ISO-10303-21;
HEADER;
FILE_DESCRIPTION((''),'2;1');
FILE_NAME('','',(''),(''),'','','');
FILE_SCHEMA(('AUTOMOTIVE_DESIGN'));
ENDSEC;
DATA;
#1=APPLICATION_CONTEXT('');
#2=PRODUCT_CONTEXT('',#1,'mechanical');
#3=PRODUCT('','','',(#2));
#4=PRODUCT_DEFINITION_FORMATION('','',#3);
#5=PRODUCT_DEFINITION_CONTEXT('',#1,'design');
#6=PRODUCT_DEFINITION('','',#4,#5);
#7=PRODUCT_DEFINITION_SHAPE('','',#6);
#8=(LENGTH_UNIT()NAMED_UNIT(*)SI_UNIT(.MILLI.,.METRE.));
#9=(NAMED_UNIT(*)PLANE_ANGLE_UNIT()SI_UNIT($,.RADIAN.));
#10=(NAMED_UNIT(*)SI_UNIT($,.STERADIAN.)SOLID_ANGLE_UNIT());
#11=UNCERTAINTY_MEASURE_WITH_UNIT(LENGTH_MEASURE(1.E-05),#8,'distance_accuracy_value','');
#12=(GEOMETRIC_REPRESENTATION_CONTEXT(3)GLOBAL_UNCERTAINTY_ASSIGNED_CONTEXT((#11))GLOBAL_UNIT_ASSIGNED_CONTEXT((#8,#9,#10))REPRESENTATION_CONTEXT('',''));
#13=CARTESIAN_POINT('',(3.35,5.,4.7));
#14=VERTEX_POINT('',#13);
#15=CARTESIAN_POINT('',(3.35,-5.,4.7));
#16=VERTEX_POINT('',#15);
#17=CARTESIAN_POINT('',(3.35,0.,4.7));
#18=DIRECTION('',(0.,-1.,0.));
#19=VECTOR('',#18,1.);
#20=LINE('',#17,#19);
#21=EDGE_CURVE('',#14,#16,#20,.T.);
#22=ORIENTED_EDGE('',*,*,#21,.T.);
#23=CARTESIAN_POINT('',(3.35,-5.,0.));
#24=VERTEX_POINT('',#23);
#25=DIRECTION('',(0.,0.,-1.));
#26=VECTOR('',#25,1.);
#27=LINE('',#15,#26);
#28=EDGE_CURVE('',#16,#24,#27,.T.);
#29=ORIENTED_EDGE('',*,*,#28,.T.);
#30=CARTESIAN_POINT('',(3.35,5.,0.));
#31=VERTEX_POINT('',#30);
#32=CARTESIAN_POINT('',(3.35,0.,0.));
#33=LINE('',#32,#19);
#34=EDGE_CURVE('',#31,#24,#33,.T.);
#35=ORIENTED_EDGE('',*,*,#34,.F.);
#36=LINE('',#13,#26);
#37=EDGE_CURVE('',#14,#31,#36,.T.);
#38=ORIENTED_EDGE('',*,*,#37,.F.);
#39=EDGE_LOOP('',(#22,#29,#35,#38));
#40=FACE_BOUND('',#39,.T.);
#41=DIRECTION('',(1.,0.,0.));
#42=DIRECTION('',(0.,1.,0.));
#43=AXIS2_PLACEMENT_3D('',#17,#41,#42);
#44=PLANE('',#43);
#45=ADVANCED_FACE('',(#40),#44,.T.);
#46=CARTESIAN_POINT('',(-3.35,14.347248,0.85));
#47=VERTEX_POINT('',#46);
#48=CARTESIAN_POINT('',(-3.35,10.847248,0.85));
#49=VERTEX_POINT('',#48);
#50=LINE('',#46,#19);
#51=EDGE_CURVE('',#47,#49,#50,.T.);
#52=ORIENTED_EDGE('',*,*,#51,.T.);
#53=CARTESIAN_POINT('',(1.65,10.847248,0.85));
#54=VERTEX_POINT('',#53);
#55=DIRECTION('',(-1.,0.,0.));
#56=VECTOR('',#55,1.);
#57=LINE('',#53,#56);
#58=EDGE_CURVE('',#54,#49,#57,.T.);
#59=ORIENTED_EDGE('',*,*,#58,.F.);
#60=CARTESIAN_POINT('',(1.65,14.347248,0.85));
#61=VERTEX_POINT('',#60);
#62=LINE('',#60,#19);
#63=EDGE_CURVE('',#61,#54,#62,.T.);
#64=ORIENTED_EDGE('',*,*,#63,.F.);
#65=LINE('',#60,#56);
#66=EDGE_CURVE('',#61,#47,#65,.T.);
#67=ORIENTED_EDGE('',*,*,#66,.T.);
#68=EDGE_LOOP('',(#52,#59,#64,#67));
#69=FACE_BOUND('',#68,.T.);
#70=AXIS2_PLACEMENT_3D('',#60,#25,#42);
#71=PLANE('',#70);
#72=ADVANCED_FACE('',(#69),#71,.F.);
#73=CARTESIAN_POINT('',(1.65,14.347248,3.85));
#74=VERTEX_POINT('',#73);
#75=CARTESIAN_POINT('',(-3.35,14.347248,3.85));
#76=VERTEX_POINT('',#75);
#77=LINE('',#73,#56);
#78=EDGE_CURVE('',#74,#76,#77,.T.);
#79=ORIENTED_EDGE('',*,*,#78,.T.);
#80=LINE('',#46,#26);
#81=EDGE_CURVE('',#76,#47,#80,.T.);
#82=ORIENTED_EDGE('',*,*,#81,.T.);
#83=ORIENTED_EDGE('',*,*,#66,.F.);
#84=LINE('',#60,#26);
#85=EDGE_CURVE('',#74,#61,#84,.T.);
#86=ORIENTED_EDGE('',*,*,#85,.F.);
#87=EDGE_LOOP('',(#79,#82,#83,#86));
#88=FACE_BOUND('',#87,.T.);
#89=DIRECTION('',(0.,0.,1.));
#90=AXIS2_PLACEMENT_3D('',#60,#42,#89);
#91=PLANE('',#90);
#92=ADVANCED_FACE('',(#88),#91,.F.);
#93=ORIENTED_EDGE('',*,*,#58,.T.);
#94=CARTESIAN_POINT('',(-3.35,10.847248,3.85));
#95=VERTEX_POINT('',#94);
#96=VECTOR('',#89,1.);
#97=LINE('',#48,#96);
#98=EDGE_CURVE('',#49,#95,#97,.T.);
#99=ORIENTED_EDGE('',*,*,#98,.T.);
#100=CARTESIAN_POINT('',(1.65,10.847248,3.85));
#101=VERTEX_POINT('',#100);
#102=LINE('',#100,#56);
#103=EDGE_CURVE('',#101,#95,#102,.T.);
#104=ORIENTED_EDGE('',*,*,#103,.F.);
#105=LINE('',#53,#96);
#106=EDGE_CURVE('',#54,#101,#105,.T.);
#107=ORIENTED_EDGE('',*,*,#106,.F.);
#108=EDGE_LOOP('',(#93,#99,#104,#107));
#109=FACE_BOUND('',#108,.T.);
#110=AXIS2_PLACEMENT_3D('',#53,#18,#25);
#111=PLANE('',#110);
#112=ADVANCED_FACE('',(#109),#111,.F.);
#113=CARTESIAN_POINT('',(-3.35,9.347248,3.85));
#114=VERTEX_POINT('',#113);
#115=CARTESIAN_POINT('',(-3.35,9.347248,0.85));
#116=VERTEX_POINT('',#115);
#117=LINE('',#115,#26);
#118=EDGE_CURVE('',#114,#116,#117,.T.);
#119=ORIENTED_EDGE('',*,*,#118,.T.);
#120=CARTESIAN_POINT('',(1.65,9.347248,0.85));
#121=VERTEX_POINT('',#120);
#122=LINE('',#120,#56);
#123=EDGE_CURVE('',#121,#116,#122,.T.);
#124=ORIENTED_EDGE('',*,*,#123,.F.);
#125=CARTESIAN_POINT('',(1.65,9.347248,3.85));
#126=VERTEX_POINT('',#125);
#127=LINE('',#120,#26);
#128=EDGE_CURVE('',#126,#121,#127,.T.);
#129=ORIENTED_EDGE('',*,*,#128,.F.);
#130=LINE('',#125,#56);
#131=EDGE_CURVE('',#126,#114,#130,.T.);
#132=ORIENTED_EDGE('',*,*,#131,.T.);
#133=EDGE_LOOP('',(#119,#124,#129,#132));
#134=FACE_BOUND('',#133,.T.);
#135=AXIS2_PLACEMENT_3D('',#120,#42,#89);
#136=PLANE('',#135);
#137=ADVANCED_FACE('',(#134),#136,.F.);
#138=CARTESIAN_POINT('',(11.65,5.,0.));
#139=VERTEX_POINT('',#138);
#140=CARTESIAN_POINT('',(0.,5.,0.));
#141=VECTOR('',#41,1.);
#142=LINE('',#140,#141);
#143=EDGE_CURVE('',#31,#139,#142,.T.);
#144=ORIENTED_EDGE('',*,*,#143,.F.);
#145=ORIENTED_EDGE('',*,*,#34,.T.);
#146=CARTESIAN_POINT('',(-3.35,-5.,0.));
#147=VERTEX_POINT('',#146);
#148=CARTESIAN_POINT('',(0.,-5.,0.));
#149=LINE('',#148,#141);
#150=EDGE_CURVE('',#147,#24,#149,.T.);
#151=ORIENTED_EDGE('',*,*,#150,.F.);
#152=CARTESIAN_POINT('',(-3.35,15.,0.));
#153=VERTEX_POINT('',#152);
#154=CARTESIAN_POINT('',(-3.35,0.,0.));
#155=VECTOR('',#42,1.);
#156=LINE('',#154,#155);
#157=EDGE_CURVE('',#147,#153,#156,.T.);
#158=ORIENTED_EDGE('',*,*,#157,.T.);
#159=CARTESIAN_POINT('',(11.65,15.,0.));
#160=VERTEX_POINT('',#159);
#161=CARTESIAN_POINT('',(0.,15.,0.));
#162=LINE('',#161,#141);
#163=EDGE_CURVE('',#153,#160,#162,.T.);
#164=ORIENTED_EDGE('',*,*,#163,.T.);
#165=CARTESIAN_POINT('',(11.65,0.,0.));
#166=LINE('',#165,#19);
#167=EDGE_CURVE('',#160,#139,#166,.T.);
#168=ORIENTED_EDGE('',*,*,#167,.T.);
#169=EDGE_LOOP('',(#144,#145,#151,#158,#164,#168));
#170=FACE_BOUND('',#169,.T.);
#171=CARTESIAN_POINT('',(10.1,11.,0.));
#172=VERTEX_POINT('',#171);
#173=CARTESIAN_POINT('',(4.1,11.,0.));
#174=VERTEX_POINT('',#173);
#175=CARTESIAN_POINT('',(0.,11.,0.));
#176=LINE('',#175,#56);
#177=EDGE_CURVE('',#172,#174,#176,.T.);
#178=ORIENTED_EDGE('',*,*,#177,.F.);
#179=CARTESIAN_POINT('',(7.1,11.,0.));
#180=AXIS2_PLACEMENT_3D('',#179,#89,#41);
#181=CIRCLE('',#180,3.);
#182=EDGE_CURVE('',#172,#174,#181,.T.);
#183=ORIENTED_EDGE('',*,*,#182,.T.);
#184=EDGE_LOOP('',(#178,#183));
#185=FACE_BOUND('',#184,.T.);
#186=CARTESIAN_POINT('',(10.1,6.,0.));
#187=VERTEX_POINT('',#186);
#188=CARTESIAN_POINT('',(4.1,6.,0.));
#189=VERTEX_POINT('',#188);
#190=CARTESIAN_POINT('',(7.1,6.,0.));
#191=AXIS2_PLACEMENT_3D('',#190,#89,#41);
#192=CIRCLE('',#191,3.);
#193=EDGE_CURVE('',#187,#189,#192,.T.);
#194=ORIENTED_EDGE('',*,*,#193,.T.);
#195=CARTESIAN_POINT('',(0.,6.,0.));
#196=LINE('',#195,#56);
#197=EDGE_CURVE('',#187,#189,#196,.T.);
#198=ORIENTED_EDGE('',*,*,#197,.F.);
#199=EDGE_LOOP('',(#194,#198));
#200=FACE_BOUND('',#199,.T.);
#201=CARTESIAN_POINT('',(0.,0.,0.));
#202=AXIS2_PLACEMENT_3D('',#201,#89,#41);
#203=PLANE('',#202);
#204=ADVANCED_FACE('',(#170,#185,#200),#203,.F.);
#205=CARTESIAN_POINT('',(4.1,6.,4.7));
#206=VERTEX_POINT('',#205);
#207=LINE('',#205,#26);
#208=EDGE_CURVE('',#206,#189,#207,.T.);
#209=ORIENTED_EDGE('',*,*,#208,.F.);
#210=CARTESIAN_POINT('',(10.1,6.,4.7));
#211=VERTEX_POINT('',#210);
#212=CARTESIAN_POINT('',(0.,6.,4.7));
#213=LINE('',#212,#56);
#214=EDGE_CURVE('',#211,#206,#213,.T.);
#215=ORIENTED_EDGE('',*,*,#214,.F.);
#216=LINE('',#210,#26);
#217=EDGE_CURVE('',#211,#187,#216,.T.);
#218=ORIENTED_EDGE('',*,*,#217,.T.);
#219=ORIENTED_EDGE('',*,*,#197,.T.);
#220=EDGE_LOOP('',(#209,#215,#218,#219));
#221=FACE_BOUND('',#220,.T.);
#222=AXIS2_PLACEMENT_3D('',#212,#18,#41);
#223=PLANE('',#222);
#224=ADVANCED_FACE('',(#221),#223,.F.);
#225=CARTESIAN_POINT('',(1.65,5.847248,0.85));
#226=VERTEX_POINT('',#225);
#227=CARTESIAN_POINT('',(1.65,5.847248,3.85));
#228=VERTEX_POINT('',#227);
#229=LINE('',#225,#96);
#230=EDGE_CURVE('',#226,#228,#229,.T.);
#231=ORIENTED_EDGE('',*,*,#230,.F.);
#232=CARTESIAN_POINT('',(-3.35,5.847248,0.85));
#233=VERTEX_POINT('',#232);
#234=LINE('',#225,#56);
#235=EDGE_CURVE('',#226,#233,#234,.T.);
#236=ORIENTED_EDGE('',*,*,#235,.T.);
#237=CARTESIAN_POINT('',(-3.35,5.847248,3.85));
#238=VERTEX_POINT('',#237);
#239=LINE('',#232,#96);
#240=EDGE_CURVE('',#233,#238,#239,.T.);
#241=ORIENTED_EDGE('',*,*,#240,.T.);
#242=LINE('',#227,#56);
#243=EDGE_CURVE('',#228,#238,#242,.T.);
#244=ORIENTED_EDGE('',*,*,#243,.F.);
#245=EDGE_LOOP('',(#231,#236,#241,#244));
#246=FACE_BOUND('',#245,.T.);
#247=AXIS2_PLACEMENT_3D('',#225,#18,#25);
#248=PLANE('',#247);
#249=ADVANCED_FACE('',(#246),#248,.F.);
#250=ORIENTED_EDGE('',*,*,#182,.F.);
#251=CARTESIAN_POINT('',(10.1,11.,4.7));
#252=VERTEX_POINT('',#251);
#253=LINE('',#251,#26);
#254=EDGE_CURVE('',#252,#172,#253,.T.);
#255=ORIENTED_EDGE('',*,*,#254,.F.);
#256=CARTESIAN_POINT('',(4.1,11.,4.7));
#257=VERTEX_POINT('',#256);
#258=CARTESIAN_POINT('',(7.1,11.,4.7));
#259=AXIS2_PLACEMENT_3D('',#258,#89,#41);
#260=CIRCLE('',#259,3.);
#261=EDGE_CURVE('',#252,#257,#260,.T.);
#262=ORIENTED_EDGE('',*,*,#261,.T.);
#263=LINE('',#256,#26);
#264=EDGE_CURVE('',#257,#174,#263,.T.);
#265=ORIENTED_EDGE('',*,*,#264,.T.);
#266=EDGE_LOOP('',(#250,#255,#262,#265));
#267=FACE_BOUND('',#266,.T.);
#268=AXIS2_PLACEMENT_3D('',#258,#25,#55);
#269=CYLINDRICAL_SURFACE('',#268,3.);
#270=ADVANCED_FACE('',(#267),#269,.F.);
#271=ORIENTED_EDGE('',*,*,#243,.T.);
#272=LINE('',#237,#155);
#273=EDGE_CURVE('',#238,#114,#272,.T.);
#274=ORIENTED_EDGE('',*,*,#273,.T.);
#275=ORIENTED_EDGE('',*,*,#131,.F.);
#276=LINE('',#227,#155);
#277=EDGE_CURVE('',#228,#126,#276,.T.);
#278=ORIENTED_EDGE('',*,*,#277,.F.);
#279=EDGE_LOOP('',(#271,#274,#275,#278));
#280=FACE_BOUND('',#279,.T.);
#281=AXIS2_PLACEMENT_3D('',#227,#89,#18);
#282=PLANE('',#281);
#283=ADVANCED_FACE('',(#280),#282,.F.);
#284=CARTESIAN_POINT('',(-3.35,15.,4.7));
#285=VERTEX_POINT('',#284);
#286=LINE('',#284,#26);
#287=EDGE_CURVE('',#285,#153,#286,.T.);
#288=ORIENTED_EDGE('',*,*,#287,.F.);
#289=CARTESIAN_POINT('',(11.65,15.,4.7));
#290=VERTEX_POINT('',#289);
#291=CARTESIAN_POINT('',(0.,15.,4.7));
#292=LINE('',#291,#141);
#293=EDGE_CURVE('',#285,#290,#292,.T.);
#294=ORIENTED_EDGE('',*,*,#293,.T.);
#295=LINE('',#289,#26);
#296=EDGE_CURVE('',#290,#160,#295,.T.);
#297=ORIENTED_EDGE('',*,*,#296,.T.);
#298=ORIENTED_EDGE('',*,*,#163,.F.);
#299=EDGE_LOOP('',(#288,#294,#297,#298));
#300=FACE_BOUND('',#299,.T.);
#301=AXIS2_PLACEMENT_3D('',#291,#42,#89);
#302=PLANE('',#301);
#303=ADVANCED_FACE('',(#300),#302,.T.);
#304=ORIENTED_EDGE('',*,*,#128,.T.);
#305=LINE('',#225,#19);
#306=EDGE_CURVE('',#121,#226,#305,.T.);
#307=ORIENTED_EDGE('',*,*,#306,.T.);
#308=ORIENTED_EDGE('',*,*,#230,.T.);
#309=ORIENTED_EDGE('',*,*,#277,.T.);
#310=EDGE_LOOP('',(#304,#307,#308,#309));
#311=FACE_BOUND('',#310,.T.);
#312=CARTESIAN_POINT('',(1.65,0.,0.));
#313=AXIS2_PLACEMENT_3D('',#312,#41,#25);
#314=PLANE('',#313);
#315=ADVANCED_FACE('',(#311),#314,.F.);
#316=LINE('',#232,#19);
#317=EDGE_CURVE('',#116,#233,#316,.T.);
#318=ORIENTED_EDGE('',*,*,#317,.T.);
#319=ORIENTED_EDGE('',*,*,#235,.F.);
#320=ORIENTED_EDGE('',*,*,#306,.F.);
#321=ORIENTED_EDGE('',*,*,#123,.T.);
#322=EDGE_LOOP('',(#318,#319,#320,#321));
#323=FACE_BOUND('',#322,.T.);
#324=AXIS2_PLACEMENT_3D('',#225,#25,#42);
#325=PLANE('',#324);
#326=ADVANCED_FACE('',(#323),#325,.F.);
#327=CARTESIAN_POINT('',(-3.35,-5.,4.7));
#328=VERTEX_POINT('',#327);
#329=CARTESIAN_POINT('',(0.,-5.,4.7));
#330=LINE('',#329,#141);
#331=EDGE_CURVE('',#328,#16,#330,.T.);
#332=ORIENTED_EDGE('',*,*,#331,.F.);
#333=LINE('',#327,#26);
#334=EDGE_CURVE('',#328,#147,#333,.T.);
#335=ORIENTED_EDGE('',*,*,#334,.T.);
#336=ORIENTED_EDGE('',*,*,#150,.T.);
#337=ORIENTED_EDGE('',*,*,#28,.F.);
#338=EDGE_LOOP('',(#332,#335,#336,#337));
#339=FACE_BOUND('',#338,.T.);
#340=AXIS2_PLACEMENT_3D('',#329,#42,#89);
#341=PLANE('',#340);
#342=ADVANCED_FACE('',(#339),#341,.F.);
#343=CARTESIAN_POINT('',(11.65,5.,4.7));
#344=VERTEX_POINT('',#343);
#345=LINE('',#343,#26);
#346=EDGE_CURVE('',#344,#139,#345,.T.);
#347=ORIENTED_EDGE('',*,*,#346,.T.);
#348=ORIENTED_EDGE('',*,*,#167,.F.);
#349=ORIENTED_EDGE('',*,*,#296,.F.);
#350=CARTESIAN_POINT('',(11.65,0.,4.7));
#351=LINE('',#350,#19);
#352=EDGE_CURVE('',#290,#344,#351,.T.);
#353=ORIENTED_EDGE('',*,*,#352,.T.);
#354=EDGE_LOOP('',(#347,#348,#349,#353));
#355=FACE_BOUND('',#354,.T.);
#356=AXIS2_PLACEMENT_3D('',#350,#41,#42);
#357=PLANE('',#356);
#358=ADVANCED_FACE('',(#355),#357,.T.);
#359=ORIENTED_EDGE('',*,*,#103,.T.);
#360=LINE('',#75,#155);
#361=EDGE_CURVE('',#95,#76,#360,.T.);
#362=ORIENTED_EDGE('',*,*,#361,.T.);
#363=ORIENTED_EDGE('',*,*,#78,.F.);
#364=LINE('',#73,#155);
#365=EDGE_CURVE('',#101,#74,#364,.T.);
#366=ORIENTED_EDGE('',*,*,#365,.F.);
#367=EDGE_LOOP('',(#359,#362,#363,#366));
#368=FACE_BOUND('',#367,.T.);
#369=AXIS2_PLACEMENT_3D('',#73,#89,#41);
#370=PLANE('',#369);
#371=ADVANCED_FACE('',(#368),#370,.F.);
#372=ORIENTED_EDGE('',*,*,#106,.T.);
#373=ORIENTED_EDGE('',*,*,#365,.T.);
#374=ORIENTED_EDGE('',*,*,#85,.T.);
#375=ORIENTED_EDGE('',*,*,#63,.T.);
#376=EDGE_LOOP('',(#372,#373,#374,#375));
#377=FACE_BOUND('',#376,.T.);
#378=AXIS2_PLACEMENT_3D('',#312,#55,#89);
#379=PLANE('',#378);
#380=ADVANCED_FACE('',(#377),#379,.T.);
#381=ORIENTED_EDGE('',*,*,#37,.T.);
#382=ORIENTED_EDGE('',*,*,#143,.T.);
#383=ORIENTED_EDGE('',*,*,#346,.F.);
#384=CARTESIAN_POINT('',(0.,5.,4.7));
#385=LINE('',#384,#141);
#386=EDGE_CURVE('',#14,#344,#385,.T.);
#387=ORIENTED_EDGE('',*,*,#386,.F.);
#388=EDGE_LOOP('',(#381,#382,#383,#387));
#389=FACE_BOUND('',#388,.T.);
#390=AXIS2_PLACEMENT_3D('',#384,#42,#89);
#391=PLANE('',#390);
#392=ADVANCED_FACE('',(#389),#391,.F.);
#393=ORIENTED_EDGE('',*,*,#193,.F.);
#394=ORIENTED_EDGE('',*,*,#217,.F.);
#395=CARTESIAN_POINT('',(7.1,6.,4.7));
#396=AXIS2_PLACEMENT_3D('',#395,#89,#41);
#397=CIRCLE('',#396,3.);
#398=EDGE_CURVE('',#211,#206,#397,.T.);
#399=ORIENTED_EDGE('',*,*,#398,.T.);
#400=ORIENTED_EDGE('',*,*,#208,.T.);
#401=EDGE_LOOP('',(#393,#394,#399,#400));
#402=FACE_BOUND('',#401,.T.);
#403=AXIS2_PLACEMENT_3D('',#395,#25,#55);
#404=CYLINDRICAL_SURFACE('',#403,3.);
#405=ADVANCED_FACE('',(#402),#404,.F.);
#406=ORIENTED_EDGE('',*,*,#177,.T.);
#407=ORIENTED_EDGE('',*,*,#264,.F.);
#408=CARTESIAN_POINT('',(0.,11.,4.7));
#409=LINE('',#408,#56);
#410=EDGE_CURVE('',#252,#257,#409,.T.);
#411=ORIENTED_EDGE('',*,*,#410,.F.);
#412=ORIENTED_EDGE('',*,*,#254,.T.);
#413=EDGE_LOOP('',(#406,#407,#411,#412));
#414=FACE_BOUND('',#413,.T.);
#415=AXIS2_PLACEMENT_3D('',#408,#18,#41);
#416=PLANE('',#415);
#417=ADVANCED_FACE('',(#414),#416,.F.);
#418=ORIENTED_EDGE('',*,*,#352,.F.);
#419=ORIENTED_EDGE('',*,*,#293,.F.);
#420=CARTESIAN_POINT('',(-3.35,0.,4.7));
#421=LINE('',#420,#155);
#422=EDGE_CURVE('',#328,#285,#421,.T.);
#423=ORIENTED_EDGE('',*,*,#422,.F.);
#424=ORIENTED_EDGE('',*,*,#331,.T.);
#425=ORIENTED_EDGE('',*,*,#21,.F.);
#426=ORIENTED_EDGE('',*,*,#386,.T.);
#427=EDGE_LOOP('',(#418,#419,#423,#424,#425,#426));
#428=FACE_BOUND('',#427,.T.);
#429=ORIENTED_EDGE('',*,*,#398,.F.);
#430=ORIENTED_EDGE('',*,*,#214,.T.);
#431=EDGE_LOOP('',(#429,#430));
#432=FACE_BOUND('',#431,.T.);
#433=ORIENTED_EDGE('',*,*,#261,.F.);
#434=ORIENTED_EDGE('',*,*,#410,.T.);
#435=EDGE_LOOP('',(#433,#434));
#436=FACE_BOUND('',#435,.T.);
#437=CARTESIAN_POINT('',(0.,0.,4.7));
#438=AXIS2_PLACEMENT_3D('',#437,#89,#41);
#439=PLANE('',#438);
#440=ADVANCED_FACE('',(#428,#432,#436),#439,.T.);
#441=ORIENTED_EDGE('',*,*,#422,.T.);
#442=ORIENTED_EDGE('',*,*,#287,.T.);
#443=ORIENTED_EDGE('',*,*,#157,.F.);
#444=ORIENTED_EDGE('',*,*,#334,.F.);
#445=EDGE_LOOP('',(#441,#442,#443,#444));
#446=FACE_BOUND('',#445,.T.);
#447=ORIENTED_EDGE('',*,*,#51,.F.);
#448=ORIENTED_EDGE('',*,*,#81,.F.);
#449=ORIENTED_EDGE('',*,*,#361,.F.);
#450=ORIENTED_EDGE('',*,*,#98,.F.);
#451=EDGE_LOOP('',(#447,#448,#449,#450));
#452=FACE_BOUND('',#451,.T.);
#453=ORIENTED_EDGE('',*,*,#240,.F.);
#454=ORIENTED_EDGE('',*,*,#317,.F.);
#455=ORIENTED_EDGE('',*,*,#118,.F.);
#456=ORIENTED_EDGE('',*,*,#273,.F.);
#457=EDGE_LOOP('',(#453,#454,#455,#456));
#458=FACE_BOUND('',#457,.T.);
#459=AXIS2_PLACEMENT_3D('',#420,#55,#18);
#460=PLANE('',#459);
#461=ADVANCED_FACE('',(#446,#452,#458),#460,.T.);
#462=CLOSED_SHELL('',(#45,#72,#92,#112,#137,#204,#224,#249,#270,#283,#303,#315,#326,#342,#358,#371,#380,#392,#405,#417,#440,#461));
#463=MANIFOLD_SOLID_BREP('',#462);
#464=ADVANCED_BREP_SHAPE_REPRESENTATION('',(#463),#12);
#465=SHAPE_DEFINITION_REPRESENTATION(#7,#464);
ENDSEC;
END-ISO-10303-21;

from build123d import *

# Parameters (mm, degrees)
BOSS_EXTRUDE2_DEPTH = 4.7
SKETCH4_W           = 3
SKETCH4_H           = 3.5
CUT_EXTRUDE1_DEPTH  = 5


with BuildPart() as part:
    # Sketch3 → Boss-Extrude2 (new body)
    with BuildSketch(Plane.XY):
        Polygon((-3.35, 5), (-3.35, -5), (3.35, -5), (3.35, 5), (6.63, 5), (10.65, 5), (11.65, 5), (11.65, 15), (10.65, 15), (-3.35, 15), align=None)
        with BuildLine():
            Line((10.1, 11), (4.1, 11))
            ThreePointArc((4.1, 11), (7.1, 14), (10.1, 11))
        make_face(mode=Mode.SUBTRACT)
        with BuildLine():
            Line((10.1, 6), (4.1, 6))
            ThreePointArc((4.1, 6), (7.1, 9), (10.1, 6))
        make_face(mode=Mode.SUBTRACT)
    extrude(amount=BOSS_EXTRUDE2_DEPTH)

    # Sketch4 → Cut-Extrude1 (cut)
    with BuildSketch(Plane.ZY.offset(3.35)):
        with Locations((2.35, 7.597247867)):
            Rectangle(SKETCH4_W, SKETCH4_H)
        with Locations((2.35, 12.597247867)):
            Rectangle(SKETCH4_W, SKETCH4_H)
    extrude(amount=-CUT_EXTRUDE1_DEPTH, mode=Mode.SUBTRACT)


solid = part.part
